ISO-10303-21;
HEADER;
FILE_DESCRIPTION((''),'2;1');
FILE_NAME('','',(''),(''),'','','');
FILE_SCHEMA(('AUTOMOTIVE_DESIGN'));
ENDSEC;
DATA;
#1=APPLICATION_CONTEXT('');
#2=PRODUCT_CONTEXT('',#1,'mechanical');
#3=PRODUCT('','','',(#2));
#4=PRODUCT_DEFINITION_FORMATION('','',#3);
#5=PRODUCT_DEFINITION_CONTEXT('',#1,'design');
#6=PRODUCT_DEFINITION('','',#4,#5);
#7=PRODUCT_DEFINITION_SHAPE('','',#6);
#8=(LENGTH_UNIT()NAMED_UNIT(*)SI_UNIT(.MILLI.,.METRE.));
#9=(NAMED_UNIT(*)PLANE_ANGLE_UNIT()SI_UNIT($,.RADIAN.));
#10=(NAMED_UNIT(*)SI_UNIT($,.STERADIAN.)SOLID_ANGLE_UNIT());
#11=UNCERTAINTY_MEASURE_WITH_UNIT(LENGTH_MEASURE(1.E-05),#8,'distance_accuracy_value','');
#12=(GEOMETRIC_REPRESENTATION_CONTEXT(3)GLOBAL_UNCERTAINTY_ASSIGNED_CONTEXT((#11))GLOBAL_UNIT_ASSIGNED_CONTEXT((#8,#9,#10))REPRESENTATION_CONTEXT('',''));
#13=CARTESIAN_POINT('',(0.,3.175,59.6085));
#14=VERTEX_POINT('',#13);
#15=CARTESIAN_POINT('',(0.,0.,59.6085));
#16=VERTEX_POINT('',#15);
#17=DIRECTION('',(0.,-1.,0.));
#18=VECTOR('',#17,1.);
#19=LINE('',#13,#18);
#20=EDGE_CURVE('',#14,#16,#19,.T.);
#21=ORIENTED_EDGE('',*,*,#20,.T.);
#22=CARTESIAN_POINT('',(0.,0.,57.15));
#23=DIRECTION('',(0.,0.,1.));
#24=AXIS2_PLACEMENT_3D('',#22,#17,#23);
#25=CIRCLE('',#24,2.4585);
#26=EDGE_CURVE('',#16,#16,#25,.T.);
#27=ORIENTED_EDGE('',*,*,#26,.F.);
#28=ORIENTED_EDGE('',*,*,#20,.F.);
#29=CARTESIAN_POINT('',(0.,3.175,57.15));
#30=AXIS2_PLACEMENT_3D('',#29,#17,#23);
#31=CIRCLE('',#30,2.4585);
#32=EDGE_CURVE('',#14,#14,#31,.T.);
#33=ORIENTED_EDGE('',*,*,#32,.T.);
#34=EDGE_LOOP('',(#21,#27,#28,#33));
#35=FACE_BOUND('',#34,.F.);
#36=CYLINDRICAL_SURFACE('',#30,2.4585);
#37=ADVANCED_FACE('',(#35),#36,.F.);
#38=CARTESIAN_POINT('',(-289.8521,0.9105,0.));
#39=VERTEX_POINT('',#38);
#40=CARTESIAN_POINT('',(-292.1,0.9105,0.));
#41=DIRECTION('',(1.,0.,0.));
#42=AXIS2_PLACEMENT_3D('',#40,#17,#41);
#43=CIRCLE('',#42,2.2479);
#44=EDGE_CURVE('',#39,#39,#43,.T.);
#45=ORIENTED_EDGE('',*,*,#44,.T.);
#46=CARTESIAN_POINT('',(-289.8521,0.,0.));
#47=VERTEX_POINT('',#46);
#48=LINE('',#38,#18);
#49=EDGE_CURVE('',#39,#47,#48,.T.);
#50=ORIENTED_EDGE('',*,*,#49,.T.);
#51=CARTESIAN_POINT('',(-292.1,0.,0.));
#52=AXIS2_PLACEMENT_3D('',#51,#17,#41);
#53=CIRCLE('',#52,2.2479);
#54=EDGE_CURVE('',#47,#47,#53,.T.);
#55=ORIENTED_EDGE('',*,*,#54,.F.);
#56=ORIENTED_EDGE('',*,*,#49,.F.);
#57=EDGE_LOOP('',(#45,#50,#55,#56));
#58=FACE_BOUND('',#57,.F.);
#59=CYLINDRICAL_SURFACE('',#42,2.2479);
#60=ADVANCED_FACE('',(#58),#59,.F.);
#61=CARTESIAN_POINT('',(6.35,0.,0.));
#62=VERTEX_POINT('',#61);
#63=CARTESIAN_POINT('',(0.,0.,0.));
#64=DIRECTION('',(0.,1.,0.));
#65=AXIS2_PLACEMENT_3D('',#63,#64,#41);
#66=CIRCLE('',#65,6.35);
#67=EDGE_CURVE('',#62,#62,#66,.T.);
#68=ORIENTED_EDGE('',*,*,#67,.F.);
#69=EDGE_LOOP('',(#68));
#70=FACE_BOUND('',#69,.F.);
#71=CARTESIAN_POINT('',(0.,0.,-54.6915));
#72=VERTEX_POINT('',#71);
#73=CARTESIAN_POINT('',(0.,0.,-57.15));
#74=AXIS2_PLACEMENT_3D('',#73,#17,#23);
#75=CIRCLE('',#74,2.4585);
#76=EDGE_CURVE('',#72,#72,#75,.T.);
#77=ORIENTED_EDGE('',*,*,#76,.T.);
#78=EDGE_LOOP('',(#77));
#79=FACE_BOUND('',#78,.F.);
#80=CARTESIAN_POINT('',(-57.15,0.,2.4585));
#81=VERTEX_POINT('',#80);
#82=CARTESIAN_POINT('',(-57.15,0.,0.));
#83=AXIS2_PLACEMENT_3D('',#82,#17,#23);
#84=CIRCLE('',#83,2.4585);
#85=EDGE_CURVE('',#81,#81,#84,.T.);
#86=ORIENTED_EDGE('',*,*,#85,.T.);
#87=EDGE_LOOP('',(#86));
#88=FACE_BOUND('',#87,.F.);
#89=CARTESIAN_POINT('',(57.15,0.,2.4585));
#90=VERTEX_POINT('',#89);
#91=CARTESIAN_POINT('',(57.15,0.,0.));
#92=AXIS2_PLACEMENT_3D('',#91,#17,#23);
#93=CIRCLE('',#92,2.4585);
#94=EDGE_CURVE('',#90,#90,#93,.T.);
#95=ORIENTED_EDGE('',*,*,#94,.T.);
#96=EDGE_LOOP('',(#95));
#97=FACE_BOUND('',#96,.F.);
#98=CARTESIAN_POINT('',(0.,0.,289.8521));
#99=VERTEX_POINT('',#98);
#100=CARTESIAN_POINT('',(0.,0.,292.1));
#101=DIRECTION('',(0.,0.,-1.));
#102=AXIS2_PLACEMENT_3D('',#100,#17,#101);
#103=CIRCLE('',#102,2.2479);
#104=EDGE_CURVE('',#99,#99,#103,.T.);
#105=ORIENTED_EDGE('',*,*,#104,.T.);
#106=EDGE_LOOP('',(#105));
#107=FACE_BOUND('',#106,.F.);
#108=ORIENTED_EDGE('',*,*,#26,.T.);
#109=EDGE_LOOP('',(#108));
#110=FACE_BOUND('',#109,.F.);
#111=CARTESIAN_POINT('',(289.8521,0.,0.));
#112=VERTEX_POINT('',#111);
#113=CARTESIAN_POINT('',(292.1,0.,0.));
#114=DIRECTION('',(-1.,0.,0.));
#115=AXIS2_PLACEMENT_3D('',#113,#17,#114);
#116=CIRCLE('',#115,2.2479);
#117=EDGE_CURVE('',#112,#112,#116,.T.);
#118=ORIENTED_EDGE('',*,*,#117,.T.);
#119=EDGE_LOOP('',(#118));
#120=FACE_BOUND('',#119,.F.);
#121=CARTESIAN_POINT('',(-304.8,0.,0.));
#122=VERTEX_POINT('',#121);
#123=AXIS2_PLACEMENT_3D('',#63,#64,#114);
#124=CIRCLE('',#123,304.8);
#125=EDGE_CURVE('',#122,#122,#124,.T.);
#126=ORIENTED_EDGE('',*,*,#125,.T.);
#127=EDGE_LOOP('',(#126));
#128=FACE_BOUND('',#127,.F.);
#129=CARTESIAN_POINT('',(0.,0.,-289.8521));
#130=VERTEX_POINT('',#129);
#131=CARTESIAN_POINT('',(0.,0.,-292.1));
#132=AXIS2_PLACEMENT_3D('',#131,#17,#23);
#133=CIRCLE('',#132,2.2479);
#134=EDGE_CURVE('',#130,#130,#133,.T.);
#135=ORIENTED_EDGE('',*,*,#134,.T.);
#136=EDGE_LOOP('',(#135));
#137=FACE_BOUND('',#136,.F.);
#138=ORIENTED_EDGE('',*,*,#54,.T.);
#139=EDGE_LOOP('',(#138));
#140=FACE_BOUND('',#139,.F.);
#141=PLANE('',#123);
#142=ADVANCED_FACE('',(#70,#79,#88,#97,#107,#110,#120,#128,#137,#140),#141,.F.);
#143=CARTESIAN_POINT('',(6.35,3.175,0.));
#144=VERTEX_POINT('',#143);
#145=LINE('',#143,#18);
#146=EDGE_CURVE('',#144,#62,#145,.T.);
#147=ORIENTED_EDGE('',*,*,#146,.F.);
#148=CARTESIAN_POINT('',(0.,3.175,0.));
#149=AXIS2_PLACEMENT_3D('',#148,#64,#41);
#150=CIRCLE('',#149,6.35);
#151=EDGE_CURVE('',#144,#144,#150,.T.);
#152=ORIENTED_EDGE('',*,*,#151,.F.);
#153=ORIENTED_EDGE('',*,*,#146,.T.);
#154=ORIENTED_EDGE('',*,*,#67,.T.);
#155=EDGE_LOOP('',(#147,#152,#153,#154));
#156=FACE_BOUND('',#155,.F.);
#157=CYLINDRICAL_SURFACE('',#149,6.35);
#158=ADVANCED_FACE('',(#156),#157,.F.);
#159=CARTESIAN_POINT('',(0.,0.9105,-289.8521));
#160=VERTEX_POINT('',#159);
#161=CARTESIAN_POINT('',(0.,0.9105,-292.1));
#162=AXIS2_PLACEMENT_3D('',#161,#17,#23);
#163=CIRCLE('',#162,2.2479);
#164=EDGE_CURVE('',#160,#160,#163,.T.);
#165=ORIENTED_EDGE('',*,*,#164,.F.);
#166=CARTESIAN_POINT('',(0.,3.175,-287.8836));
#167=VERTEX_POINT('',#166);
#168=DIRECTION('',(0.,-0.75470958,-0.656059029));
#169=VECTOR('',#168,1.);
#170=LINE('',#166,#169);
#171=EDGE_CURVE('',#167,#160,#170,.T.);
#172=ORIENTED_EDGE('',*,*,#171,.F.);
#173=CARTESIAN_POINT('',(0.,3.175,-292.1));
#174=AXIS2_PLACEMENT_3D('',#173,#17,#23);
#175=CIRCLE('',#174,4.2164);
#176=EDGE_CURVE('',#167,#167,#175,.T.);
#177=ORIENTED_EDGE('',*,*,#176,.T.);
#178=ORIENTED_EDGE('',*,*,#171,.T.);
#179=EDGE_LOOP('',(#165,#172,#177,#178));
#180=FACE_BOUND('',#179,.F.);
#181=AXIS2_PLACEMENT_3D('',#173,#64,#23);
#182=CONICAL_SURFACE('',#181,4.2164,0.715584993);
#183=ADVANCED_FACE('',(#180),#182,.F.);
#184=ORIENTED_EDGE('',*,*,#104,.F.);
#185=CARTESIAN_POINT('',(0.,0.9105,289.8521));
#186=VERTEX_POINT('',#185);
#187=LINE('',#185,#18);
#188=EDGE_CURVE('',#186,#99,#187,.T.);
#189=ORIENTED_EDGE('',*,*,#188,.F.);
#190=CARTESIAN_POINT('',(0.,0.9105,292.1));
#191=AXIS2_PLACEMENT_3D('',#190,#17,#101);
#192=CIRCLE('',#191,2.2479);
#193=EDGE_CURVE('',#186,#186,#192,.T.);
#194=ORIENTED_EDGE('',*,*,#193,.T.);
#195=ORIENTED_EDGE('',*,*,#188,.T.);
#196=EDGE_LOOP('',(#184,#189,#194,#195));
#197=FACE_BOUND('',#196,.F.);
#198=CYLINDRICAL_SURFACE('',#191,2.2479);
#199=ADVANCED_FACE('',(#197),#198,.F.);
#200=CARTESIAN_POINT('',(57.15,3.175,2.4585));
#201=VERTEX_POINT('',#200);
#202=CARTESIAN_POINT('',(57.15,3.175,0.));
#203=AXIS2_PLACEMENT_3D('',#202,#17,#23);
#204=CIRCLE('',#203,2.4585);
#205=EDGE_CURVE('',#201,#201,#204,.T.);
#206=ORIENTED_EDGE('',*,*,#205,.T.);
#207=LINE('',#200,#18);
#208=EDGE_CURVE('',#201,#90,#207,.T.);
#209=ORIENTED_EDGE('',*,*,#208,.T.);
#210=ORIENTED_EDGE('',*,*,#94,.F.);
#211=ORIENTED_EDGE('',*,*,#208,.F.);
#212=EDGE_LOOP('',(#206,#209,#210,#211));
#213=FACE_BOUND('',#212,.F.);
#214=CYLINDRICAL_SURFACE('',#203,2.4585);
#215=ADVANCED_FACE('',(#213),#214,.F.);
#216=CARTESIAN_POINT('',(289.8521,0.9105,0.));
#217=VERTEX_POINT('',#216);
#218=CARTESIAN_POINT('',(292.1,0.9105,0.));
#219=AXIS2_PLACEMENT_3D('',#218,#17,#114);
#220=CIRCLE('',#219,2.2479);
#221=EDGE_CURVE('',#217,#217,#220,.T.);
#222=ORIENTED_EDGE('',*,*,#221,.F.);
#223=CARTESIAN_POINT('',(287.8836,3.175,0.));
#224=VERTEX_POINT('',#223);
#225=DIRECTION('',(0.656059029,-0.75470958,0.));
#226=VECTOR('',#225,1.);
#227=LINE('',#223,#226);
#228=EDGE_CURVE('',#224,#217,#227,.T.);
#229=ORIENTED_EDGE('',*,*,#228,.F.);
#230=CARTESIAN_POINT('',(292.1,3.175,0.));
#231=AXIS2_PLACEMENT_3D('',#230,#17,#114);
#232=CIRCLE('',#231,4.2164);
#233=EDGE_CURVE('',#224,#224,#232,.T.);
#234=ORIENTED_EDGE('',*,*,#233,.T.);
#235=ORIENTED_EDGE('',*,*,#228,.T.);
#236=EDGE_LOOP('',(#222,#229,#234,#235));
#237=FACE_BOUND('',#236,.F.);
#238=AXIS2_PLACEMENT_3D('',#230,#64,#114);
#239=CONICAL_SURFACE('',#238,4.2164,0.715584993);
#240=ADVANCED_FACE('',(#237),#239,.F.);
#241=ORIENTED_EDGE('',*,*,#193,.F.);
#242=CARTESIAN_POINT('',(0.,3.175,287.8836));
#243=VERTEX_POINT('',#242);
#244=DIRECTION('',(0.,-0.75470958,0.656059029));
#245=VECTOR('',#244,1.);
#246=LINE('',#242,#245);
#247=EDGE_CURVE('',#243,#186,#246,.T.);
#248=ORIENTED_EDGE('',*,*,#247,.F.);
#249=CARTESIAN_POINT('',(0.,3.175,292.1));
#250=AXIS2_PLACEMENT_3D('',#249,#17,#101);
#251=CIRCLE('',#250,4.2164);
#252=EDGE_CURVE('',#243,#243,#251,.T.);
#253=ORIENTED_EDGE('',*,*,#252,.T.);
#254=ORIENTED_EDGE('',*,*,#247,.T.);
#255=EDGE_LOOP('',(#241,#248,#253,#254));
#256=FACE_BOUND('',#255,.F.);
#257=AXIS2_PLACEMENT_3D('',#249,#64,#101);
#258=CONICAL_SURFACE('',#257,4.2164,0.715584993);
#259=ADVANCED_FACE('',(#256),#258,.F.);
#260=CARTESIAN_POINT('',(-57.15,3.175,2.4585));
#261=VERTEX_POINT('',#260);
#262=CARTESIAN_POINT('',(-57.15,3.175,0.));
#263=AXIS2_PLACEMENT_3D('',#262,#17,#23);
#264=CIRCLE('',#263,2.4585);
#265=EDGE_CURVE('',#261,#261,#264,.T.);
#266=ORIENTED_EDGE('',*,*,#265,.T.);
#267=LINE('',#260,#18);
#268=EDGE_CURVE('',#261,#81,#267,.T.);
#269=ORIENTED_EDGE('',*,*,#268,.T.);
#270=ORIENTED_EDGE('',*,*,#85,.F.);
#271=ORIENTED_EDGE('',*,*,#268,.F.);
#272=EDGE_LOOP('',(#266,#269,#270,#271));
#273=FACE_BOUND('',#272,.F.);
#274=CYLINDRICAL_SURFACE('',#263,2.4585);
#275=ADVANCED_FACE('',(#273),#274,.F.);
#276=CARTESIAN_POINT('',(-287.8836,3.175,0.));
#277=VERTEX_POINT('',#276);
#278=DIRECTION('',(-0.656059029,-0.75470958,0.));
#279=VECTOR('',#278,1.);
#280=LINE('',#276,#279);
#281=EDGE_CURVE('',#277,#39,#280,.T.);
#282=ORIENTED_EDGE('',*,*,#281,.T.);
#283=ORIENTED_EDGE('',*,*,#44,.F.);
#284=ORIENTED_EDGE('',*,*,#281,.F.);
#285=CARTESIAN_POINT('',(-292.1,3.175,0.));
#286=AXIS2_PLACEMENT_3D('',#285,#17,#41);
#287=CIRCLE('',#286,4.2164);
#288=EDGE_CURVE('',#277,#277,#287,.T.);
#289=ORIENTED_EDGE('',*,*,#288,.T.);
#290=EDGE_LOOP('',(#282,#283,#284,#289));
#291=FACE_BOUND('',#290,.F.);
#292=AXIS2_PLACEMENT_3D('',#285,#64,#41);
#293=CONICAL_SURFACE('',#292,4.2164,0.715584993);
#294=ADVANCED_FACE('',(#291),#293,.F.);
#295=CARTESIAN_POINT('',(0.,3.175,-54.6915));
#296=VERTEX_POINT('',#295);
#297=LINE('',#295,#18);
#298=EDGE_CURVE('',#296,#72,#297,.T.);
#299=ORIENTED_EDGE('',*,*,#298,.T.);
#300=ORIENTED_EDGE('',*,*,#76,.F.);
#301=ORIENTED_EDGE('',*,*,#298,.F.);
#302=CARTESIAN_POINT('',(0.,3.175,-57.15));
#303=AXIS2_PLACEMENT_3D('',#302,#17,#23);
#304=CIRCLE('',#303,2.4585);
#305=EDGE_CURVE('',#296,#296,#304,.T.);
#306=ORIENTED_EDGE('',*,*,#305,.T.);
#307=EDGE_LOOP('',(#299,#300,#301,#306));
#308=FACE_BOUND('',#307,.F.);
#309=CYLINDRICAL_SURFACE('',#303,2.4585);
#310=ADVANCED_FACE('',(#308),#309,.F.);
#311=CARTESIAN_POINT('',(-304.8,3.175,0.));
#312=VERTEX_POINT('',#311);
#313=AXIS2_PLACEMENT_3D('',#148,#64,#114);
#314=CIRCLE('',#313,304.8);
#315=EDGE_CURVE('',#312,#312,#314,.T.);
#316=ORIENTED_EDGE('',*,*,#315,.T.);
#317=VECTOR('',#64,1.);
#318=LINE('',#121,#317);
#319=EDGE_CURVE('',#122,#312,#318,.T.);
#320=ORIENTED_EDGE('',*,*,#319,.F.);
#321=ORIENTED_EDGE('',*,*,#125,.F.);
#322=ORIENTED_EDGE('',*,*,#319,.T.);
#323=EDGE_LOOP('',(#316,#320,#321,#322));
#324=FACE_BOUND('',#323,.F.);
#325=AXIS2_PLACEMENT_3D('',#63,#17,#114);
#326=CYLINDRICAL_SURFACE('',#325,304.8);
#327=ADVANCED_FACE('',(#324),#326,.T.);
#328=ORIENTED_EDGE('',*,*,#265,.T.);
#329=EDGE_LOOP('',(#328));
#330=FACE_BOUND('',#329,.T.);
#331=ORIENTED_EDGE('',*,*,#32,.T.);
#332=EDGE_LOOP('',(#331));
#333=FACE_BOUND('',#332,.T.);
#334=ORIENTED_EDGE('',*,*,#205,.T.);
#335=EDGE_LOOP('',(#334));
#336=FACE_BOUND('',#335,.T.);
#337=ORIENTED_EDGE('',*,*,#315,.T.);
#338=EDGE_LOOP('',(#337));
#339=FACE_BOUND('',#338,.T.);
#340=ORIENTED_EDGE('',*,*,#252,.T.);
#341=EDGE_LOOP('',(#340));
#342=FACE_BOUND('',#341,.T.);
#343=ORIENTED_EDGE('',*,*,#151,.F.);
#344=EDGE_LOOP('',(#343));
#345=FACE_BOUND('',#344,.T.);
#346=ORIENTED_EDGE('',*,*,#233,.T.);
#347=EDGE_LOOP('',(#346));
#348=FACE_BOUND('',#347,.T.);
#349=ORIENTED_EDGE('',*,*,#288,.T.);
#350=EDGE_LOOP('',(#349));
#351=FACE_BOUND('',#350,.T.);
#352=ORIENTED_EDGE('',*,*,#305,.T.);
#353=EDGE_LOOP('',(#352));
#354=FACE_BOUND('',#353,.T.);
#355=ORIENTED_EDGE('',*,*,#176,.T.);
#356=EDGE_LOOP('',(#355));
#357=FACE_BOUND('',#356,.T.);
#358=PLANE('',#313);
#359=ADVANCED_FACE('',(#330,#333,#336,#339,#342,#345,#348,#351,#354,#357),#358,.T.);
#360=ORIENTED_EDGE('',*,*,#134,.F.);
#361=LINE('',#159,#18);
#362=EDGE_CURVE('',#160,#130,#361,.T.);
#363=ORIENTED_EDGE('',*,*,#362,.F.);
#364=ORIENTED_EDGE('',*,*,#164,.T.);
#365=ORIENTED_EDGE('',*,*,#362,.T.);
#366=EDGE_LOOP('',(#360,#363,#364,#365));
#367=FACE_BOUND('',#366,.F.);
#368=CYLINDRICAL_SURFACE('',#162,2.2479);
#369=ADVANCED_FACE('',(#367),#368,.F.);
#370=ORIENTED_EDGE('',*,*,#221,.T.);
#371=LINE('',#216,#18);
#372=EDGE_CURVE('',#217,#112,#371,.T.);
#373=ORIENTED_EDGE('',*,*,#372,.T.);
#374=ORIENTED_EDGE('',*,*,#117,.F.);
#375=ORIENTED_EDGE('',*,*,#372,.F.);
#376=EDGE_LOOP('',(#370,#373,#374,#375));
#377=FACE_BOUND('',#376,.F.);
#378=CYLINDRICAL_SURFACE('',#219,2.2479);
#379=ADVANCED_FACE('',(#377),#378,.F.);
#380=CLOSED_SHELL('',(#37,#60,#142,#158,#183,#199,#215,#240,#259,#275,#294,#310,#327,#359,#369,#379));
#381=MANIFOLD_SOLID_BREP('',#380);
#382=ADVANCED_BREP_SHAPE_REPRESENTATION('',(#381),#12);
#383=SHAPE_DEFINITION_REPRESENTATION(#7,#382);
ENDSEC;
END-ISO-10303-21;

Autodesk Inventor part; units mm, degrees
ref_plane "YZ Plane" through (0, 0, 0) normal (1, 0, 0) x (0, 1, 0)
ref_plane "XZ Plane" through (0, 0, 0) normal (0, 1, 0) x (-1, 0, 0)
ref_plane "XY Plane" through (0, 0, 0) normal (0, 0, 1) x (1, 0, 0)
sketch "Sketch1" plane through (0, 0, 0) normal (0, 1, 0) x (-1, 0, 0)
  circle A0 centre (0, 0) radius 304.8
  dimension "d0" = 609.6
extrude "Extrusion1" add sketch "Sketch1" along normal blind 3.175
sketch "Sketch2" plane through (0, 3.175, 0) normal (0, 1, 0) x (1, 0, 0)
  circle A0 centre (0, 0) radius 304.8 projected
  circle A1 centre (0, 0) radius 6.35
  dimension "d3" = 12.7
extrude "Extrusion2" cut sketch "Sketch2" against normal blind 3.175 contours A1
sketch "Sketch3" plane through (0, 3.175, 0) normal (0, 1, 0) x (1, 0, 0)
  circle A0 centre (0, 0) radius 6.35 projected
  circle A1 centre (0, 292.1) radius 4.6302
  dimension "d6" = 292.1
hole "Hole1" at (0, 3.175, -292.1) direction (0, -1, 0) diameter 4.4958 end through all countersink diameter 8.4328 countersink angle 82
pattern_circular "Circular Pattern1" count 4 over 360 about axis through (0, 3.175, 0) along (0, -1, 0) of "Hole1"
sketch "Sketch11" plane through (0, 3.175, 0) normal (0, 1, 0) x (1, 0, 0)
  circle A0 centre (0, 0) radius 57.15 construction
  point P0 (0, 57.15)
  point P1 (57.15, 0)
  point P2 (0, -57.15)
  point P3 (-57.15, 0)
  dimension "d98" = 114.3
hole "Hole8" at (0, 3.175, -57.15) at (57.15, 3.175, 0) at (0, 3.175, 57.15) at (-57.15, 3.175, 0) direction (0, -1, 0) diameter 4.917 end through all thread size "M6x1" class "6H" standard "ANSI Metric M Profile"
properties part number "2f1bd" material "Aluminum 6061"
